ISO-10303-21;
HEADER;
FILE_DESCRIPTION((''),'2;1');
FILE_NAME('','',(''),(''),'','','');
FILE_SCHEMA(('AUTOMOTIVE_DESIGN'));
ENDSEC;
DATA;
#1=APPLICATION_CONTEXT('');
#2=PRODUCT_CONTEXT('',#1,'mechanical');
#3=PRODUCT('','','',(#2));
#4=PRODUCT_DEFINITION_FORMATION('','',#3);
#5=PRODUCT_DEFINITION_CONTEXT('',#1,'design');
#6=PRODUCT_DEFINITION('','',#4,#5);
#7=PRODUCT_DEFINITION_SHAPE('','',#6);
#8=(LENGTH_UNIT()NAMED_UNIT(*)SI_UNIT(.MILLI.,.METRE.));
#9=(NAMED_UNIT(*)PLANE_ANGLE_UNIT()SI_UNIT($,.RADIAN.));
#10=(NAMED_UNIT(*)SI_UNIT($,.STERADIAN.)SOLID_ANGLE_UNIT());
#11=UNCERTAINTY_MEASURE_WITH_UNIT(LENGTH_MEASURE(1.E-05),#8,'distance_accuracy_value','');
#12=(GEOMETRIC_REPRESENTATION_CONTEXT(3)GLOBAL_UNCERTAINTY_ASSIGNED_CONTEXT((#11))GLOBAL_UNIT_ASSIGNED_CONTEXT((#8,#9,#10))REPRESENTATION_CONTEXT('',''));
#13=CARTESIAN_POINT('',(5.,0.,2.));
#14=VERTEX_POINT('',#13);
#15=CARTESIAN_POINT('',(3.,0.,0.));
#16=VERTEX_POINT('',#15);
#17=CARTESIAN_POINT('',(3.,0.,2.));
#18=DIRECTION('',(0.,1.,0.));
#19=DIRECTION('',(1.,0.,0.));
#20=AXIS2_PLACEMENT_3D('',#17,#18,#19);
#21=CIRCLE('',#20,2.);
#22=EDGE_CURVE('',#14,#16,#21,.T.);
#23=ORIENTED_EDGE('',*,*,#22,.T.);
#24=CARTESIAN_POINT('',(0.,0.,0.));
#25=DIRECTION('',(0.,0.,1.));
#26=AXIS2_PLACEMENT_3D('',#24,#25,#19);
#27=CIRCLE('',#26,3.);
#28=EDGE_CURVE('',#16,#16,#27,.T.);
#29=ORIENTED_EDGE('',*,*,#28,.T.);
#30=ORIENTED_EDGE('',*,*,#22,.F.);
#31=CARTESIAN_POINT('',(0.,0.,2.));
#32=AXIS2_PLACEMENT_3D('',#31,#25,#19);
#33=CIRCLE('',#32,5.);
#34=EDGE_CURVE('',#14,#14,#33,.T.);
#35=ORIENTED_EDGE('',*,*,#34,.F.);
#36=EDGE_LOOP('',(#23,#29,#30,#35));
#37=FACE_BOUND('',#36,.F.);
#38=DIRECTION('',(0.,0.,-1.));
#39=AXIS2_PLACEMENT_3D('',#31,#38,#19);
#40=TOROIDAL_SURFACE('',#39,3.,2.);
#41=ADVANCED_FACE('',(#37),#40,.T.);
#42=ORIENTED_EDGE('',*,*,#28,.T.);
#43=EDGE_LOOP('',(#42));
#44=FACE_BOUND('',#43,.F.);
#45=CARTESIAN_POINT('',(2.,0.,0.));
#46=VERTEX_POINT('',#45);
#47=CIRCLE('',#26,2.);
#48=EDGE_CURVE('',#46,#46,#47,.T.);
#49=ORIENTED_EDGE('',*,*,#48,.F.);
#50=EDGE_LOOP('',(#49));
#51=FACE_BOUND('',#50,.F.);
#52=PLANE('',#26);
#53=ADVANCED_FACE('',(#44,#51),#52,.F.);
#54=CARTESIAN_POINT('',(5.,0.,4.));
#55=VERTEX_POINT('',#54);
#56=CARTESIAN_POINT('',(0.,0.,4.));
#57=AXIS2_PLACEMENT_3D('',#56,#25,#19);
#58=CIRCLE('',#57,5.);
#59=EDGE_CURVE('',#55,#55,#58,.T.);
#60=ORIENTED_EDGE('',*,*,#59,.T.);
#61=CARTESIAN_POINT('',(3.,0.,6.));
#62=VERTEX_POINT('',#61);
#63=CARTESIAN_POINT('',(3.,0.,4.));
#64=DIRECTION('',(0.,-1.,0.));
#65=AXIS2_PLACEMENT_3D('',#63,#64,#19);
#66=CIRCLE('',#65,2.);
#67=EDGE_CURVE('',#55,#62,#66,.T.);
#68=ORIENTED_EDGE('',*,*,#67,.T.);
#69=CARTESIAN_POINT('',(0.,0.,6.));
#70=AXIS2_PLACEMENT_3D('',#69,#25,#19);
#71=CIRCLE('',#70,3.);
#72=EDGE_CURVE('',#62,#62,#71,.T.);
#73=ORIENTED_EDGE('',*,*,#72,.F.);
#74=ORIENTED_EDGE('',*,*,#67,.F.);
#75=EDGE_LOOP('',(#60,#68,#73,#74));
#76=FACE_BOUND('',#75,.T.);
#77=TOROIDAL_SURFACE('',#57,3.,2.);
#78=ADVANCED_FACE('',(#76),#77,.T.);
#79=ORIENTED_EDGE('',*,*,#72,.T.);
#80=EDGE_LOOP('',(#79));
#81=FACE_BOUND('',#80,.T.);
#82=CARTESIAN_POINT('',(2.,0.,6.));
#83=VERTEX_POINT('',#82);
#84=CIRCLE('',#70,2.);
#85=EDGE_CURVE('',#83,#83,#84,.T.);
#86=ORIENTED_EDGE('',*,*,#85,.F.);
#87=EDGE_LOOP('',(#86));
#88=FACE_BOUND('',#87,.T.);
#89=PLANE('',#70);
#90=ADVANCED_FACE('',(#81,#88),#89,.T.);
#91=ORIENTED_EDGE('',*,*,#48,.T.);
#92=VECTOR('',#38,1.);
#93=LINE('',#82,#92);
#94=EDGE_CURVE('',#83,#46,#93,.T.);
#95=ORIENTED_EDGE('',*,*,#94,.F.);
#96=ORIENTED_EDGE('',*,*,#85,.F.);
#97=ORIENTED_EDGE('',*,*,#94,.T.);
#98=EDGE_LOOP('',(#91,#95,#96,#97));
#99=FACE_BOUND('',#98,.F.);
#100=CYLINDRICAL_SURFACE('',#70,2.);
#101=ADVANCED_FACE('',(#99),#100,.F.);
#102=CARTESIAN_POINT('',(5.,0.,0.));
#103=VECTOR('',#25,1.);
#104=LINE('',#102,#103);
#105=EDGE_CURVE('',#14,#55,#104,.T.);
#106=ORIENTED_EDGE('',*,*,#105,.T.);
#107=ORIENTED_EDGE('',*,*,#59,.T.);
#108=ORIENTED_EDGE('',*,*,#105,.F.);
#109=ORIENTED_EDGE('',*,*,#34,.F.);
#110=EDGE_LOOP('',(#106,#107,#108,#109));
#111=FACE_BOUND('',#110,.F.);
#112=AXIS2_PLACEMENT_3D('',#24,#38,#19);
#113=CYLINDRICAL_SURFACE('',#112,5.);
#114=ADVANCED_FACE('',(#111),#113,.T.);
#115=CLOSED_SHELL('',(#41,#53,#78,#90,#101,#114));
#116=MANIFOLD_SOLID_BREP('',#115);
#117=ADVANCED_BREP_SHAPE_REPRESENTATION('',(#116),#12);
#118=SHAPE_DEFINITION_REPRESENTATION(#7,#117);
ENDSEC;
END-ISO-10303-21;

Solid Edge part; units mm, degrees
sketch "Sketch1" plane through (0, 0, 0) normal (0, 0, 1) x (1, 0, 0)
  circle A0 centre (0, 0) radius 5
extrude "Protrusion1" add sketch "Sketch1" along normal blind 6
sketch "Sketch2" plane through (0, 0, 6) normal (0, 0, 1) x (1, 0, 0)
  circle A0 centre (0, 0) radius 2
extrude "Cutout1" cut sketch "Sketch2" against normal up to vertex (6 mm away)
fillet "Round_1" radius 2 1 edges at (-5, 0, 6)
fillet "Round_2" radius 2 1 edges at (-5, 0, 0)
